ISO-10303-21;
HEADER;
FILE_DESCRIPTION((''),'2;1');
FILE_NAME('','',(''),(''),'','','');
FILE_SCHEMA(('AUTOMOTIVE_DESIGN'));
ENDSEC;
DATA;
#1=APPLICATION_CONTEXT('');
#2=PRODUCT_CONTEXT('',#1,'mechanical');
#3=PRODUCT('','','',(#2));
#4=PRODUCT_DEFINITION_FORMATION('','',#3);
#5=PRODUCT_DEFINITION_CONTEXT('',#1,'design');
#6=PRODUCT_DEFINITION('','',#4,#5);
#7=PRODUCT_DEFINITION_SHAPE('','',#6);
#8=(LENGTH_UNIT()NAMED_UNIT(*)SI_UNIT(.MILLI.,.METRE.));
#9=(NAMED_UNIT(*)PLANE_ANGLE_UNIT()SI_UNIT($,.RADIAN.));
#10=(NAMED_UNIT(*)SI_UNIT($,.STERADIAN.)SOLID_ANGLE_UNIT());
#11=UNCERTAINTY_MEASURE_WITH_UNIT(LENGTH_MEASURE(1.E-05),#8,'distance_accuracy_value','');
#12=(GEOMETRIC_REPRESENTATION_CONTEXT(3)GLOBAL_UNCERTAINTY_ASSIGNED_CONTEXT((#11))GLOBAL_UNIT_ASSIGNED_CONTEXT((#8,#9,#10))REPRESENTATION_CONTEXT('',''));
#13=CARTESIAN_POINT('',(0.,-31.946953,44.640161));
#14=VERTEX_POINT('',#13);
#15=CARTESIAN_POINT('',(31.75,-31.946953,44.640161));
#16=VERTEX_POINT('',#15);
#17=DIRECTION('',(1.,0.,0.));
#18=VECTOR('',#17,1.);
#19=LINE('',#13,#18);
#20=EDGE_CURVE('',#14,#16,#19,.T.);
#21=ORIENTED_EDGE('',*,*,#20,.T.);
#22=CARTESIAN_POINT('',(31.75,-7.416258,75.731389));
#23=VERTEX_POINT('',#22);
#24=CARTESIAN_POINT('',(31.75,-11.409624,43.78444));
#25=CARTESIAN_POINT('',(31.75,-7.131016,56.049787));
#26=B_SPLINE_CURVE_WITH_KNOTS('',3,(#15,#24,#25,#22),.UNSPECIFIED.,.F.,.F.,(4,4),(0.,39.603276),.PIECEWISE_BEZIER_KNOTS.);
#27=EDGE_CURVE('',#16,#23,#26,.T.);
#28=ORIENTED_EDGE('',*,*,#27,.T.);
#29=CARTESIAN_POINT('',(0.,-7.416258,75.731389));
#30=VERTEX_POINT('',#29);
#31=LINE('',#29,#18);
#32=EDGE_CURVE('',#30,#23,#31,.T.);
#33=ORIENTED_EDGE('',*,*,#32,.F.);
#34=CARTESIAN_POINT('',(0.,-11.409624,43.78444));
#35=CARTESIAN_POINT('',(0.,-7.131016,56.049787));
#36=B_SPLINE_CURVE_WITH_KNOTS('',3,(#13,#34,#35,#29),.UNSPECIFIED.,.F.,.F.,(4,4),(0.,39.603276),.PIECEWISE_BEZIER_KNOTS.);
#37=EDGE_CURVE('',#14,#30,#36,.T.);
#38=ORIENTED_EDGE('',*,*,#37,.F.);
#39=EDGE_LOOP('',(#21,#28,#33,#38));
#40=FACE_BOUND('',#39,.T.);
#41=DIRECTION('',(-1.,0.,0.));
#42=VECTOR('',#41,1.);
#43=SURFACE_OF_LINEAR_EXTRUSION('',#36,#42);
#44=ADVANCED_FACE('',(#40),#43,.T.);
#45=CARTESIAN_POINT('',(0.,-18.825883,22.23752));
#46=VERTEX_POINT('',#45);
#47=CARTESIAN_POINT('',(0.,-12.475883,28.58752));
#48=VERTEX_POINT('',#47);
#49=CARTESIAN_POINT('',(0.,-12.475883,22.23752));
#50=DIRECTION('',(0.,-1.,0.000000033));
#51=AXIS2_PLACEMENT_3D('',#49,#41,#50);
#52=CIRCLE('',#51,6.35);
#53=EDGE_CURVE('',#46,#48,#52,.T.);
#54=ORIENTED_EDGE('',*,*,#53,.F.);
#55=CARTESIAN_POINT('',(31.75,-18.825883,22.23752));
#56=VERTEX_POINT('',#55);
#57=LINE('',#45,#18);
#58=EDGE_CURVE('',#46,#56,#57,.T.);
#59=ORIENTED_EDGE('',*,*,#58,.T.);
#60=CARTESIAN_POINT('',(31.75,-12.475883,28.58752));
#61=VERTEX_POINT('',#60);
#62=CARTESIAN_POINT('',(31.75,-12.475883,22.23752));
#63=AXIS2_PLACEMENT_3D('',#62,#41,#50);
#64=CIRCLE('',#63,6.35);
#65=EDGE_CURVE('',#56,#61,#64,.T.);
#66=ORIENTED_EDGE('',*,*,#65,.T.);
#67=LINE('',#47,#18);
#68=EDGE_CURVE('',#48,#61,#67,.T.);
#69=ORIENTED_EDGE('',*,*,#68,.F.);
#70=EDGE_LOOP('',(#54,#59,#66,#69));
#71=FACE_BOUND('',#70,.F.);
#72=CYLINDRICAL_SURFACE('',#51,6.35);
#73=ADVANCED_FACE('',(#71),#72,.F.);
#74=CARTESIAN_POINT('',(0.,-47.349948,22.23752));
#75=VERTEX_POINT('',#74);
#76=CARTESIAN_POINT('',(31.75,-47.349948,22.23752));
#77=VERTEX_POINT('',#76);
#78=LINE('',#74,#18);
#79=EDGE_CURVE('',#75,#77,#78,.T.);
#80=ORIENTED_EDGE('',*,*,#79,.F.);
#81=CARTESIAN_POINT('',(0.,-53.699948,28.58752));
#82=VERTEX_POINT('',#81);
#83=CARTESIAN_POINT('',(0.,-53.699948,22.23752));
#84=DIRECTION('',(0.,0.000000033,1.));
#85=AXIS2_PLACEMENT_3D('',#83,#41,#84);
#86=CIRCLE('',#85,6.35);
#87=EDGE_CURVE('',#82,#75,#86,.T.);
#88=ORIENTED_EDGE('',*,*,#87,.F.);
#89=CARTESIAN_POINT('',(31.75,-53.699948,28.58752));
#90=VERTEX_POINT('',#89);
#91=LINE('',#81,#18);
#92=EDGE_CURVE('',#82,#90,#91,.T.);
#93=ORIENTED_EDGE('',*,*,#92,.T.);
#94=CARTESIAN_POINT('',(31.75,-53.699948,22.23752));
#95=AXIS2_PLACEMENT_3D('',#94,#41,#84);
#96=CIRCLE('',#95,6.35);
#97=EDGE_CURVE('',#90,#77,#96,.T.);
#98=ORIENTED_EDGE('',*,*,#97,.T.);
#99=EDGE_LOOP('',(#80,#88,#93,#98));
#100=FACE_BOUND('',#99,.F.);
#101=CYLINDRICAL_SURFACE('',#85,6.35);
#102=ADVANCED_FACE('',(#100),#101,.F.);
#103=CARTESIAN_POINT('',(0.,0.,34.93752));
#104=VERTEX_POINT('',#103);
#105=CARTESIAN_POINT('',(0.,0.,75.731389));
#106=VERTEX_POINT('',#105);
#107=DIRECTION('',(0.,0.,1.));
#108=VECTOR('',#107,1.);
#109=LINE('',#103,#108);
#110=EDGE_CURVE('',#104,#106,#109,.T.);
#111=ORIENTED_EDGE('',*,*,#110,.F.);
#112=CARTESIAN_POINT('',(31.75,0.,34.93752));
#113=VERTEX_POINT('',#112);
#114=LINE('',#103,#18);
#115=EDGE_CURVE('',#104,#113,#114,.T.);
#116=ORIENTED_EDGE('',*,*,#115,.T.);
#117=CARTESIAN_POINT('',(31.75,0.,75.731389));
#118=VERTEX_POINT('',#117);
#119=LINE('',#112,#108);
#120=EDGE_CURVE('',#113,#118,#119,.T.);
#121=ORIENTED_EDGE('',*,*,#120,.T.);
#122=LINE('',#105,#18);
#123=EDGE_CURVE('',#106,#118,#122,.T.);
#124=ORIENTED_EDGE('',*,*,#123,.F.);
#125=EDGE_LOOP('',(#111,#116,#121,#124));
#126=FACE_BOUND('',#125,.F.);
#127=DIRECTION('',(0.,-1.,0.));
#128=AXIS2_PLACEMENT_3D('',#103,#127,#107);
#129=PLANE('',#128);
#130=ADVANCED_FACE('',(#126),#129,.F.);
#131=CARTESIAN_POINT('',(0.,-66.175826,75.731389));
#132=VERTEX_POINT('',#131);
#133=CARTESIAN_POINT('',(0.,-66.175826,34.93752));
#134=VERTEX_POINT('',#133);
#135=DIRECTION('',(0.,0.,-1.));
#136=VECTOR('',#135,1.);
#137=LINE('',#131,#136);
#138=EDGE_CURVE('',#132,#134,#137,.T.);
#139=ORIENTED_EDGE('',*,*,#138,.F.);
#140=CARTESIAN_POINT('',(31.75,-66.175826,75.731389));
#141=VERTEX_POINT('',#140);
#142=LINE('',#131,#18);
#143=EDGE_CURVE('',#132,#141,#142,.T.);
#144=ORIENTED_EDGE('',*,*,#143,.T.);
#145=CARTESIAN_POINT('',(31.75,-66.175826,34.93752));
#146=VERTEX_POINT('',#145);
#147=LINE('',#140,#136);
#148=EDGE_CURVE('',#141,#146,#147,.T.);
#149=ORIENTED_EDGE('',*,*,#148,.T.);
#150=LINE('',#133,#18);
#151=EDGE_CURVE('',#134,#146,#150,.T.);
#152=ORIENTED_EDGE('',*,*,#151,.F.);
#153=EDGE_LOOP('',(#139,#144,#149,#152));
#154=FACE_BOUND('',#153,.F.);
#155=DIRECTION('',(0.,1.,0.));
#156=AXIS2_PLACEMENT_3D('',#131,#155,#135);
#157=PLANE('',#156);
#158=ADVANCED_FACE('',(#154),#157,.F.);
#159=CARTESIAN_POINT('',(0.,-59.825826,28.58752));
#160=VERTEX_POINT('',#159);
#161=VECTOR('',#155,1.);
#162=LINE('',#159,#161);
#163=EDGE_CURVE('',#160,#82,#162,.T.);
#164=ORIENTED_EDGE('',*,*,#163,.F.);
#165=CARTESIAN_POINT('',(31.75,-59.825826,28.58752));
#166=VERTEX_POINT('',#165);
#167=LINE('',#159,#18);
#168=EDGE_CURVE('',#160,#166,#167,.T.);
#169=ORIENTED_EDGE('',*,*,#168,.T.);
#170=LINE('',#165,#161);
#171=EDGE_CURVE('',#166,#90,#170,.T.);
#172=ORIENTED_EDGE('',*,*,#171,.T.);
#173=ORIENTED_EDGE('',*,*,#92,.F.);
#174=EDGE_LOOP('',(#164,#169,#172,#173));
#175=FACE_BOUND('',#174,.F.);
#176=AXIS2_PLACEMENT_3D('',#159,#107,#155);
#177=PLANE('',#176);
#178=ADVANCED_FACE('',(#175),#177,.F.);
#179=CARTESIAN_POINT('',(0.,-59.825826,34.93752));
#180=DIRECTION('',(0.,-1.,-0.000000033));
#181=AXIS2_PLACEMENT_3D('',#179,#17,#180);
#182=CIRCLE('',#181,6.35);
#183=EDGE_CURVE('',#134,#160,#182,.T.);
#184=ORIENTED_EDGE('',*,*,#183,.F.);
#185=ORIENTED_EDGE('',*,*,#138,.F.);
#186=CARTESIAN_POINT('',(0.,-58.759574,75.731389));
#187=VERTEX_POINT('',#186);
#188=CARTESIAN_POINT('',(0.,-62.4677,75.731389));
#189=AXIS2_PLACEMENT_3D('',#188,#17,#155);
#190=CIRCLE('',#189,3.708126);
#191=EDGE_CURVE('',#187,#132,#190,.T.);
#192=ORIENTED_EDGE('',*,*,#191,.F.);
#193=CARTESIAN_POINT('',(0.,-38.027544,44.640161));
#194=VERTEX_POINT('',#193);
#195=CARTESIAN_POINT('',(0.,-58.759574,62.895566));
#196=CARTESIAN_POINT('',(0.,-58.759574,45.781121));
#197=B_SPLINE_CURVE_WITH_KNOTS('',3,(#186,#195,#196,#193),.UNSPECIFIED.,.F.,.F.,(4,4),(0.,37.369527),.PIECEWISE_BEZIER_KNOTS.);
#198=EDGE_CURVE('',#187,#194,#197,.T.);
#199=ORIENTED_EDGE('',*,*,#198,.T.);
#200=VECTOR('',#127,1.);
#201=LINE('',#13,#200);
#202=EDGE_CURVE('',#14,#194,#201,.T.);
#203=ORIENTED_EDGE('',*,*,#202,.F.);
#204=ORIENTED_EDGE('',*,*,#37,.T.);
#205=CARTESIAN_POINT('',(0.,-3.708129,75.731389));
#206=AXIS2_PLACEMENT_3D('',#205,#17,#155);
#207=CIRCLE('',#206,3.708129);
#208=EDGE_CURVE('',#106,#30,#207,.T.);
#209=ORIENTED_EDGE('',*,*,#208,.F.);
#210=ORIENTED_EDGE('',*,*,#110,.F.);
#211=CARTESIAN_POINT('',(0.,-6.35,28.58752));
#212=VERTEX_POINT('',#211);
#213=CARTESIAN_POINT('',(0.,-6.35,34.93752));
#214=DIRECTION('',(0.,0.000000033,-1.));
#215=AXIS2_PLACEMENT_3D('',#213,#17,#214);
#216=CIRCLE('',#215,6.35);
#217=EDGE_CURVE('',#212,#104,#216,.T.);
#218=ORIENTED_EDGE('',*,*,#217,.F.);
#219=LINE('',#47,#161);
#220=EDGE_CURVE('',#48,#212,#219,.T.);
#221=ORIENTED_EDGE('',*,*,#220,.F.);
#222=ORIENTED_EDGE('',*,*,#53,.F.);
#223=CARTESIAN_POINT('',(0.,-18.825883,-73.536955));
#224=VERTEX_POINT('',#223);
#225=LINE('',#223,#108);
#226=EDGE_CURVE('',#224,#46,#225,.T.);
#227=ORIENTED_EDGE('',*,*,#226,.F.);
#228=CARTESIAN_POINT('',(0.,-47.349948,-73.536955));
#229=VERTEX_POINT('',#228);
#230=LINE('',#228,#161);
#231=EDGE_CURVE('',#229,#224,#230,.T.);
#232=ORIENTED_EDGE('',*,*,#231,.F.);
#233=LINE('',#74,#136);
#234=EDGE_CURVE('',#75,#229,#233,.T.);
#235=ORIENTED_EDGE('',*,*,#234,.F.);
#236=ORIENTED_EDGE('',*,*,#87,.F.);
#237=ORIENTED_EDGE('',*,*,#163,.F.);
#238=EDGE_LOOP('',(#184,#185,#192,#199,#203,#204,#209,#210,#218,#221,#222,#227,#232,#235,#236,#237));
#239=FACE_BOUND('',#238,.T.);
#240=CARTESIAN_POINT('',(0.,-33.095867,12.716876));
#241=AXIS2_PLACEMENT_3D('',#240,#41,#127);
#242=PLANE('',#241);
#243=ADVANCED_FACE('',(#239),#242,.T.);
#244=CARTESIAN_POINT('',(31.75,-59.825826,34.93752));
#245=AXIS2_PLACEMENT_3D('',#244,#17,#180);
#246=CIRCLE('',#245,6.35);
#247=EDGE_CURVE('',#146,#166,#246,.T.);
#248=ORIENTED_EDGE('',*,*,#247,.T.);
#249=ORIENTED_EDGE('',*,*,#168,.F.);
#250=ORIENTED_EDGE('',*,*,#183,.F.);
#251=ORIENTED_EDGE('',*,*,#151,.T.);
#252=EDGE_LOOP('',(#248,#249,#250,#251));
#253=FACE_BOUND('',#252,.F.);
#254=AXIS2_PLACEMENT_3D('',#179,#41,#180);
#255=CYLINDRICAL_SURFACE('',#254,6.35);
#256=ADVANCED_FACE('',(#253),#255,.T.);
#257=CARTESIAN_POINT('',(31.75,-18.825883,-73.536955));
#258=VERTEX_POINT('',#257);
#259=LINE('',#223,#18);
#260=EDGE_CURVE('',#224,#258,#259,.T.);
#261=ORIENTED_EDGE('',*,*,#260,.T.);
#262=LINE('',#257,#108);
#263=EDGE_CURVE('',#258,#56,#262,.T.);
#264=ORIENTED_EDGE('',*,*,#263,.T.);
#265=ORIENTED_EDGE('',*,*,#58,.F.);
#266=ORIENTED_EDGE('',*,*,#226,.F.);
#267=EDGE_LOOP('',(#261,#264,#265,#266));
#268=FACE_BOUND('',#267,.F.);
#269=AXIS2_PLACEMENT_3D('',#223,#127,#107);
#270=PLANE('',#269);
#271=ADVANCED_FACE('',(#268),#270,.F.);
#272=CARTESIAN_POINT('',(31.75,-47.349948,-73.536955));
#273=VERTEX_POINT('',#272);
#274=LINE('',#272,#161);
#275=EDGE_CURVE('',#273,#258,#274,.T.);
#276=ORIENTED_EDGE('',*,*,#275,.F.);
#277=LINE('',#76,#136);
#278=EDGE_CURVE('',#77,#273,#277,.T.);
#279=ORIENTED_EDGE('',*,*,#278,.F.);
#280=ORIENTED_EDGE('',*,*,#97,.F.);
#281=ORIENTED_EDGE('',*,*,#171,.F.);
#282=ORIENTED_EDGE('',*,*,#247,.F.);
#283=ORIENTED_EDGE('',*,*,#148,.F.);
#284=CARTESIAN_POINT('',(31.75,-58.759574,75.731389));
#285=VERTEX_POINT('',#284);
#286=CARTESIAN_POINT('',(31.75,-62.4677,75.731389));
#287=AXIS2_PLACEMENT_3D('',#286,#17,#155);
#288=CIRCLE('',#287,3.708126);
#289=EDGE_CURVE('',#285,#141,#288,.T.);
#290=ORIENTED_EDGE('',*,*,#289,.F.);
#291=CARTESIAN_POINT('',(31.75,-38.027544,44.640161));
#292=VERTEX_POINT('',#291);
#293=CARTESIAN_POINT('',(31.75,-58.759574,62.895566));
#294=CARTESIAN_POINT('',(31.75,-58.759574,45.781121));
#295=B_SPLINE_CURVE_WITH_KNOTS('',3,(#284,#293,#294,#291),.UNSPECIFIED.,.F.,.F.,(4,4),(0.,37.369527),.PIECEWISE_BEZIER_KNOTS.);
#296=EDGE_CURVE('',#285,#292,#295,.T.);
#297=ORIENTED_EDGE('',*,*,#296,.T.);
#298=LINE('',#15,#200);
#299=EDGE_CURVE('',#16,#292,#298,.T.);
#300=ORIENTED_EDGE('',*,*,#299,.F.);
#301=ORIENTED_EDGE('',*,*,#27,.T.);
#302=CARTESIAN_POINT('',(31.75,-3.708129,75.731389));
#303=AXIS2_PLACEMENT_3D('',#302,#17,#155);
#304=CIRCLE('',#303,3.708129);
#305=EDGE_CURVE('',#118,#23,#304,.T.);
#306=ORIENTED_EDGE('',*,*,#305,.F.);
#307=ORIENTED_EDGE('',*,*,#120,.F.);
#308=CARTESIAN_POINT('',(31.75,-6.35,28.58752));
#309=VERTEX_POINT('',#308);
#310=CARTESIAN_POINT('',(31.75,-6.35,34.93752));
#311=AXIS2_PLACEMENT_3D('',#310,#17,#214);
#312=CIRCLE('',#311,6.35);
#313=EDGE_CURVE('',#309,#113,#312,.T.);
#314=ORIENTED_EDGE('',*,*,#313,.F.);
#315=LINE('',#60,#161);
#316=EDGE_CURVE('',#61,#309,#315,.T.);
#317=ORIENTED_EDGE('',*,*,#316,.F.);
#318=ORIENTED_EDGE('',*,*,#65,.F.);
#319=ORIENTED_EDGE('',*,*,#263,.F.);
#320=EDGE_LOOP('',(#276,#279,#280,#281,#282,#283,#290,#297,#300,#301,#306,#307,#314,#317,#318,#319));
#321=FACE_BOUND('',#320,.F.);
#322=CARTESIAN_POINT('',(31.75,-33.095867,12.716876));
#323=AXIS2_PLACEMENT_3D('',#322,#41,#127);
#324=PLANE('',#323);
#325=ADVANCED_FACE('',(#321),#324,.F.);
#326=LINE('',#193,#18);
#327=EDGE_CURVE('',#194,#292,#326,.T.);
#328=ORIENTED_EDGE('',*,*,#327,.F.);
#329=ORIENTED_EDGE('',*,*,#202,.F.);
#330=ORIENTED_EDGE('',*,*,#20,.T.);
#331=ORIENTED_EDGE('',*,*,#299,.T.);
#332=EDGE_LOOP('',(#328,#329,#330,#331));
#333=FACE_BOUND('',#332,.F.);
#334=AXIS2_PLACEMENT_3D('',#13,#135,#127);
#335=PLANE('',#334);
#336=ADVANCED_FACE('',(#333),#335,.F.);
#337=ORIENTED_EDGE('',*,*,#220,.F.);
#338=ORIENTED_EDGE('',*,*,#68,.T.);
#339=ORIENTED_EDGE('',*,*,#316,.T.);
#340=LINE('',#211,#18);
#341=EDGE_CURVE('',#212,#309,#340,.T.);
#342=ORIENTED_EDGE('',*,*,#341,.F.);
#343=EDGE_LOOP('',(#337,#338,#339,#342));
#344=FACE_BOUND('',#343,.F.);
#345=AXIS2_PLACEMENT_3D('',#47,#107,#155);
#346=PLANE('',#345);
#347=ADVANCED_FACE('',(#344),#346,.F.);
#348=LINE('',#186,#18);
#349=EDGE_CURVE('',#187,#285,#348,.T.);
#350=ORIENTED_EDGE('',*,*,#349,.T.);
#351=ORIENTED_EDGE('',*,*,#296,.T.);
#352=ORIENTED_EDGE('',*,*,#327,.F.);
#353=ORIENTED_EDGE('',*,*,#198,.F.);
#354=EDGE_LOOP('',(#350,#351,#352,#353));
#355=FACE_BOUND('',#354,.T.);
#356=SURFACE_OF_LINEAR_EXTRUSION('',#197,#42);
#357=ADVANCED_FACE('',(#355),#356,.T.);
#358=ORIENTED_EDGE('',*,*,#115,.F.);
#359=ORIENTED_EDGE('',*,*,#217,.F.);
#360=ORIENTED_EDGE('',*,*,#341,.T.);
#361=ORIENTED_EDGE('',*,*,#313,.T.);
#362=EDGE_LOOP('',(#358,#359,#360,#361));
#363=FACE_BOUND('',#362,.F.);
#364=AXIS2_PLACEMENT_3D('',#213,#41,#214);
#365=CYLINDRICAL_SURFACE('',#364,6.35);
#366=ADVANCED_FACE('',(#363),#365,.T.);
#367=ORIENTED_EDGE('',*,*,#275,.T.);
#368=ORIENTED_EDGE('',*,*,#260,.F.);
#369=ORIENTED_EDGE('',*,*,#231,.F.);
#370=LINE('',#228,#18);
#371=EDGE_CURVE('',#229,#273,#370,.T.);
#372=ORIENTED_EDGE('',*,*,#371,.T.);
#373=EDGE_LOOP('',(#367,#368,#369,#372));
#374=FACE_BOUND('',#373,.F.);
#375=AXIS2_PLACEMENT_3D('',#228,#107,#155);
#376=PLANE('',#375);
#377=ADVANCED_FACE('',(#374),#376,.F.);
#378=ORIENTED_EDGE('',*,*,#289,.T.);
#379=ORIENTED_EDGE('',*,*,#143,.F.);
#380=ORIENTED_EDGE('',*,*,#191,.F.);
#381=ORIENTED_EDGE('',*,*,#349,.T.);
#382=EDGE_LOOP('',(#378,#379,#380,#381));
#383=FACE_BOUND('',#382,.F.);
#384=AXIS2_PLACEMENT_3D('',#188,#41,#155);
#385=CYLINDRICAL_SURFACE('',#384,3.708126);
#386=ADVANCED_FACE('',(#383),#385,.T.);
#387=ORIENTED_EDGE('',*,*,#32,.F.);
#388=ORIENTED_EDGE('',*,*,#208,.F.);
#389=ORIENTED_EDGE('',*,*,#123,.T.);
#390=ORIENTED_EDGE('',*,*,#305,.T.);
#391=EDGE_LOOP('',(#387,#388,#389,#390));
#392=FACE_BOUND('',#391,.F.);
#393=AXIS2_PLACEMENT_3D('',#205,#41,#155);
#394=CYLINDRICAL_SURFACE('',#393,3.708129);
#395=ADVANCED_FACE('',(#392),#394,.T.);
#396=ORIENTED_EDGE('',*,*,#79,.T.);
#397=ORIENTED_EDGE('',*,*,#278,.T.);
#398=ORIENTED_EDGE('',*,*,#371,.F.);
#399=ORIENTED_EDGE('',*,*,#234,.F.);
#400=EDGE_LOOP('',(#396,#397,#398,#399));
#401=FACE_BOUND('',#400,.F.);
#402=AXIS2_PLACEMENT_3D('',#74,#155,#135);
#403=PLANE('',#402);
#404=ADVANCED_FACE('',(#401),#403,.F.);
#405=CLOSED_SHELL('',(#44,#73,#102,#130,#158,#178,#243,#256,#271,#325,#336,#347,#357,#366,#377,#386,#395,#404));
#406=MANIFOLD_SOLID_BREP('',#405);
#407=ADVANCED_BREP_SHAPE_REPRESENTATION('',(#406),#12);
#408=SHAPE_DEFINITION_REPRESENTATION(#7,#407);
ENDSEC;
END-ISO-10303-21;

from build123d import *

# Parameters (mm, degrees)
F1_DEPTH = 31.75


with BuildPart() as f1:
    # F0 (on Right) → F1 (new body)
    with BuildSketch(Plane.YZ):
        with BuildLine():
            add(Edge.make_bspline(
                [(-31.946953, 44.640161), (-11.409624, 43.78444), (-7.131016, 56.049787), (-7.416258, 75.731389)],
                knots=[0, 0, 0, 0, 39.603276, 39.603276, 39.603276, 39.603276], degree=3))
            Line((-31.946953, 44.640161), (-38.027544, 44.640161))
            add(Edge.make_bspline(
                [(-58.759574, 75.731389), (-58.759574, 62.895566), (-58.759574, 45.781121), (-38.027544, 44.640161)],
                knots=[0, 0, 0, 0, 37.369527, 37.369527, 37.369527, 37.369527], degree=3))
            ThreePointArc((-58.759574, 75.731389), (-62.4677, 79.439515), (-66.175826, 75.731389))
            Line((-66.175826, 75.731389), (-66.175826, 34.93752))
            ThreePointArc((-66.175826, 34.93752), (-64.315954, 30.447392), (-59.825826, 28.58752))
            Line((-59.825826, 28.58752), (-53.699948, 28.58752))
            ThreePointArc((-53.699948, 28.58752), (-49.20982, 26.727648), (-47.349948, 22.23752))
            Line((-47.349948, 22.23752), (-47.349948, -73.536955))
            Line((-47.349948, -73.536955), (-18.825883, -73.536955))
            Line((-18.825883, -73.536955), (-18.825883, 22.23752))
            ThreePointArc((-18.825883, 22.23752), (-16.966011, 26.727648), (-12.475883, 28.58752))
            Line((-12.475883, 28.58752), (-6.35, 28.58752))
            ThreePointArc((-6.35, 28.58752), (-1.859872, 30.447392), (0, 34.93752))
            Line((0, 34.93752), (0, 75.731389))
            ThreePointArc((0, 75.731389), (-3.708129, 79.439518), (-7.416258, 75.731389))
        make_face()
    extrude(amount=F1_DEPTH)


solid = f1.part
